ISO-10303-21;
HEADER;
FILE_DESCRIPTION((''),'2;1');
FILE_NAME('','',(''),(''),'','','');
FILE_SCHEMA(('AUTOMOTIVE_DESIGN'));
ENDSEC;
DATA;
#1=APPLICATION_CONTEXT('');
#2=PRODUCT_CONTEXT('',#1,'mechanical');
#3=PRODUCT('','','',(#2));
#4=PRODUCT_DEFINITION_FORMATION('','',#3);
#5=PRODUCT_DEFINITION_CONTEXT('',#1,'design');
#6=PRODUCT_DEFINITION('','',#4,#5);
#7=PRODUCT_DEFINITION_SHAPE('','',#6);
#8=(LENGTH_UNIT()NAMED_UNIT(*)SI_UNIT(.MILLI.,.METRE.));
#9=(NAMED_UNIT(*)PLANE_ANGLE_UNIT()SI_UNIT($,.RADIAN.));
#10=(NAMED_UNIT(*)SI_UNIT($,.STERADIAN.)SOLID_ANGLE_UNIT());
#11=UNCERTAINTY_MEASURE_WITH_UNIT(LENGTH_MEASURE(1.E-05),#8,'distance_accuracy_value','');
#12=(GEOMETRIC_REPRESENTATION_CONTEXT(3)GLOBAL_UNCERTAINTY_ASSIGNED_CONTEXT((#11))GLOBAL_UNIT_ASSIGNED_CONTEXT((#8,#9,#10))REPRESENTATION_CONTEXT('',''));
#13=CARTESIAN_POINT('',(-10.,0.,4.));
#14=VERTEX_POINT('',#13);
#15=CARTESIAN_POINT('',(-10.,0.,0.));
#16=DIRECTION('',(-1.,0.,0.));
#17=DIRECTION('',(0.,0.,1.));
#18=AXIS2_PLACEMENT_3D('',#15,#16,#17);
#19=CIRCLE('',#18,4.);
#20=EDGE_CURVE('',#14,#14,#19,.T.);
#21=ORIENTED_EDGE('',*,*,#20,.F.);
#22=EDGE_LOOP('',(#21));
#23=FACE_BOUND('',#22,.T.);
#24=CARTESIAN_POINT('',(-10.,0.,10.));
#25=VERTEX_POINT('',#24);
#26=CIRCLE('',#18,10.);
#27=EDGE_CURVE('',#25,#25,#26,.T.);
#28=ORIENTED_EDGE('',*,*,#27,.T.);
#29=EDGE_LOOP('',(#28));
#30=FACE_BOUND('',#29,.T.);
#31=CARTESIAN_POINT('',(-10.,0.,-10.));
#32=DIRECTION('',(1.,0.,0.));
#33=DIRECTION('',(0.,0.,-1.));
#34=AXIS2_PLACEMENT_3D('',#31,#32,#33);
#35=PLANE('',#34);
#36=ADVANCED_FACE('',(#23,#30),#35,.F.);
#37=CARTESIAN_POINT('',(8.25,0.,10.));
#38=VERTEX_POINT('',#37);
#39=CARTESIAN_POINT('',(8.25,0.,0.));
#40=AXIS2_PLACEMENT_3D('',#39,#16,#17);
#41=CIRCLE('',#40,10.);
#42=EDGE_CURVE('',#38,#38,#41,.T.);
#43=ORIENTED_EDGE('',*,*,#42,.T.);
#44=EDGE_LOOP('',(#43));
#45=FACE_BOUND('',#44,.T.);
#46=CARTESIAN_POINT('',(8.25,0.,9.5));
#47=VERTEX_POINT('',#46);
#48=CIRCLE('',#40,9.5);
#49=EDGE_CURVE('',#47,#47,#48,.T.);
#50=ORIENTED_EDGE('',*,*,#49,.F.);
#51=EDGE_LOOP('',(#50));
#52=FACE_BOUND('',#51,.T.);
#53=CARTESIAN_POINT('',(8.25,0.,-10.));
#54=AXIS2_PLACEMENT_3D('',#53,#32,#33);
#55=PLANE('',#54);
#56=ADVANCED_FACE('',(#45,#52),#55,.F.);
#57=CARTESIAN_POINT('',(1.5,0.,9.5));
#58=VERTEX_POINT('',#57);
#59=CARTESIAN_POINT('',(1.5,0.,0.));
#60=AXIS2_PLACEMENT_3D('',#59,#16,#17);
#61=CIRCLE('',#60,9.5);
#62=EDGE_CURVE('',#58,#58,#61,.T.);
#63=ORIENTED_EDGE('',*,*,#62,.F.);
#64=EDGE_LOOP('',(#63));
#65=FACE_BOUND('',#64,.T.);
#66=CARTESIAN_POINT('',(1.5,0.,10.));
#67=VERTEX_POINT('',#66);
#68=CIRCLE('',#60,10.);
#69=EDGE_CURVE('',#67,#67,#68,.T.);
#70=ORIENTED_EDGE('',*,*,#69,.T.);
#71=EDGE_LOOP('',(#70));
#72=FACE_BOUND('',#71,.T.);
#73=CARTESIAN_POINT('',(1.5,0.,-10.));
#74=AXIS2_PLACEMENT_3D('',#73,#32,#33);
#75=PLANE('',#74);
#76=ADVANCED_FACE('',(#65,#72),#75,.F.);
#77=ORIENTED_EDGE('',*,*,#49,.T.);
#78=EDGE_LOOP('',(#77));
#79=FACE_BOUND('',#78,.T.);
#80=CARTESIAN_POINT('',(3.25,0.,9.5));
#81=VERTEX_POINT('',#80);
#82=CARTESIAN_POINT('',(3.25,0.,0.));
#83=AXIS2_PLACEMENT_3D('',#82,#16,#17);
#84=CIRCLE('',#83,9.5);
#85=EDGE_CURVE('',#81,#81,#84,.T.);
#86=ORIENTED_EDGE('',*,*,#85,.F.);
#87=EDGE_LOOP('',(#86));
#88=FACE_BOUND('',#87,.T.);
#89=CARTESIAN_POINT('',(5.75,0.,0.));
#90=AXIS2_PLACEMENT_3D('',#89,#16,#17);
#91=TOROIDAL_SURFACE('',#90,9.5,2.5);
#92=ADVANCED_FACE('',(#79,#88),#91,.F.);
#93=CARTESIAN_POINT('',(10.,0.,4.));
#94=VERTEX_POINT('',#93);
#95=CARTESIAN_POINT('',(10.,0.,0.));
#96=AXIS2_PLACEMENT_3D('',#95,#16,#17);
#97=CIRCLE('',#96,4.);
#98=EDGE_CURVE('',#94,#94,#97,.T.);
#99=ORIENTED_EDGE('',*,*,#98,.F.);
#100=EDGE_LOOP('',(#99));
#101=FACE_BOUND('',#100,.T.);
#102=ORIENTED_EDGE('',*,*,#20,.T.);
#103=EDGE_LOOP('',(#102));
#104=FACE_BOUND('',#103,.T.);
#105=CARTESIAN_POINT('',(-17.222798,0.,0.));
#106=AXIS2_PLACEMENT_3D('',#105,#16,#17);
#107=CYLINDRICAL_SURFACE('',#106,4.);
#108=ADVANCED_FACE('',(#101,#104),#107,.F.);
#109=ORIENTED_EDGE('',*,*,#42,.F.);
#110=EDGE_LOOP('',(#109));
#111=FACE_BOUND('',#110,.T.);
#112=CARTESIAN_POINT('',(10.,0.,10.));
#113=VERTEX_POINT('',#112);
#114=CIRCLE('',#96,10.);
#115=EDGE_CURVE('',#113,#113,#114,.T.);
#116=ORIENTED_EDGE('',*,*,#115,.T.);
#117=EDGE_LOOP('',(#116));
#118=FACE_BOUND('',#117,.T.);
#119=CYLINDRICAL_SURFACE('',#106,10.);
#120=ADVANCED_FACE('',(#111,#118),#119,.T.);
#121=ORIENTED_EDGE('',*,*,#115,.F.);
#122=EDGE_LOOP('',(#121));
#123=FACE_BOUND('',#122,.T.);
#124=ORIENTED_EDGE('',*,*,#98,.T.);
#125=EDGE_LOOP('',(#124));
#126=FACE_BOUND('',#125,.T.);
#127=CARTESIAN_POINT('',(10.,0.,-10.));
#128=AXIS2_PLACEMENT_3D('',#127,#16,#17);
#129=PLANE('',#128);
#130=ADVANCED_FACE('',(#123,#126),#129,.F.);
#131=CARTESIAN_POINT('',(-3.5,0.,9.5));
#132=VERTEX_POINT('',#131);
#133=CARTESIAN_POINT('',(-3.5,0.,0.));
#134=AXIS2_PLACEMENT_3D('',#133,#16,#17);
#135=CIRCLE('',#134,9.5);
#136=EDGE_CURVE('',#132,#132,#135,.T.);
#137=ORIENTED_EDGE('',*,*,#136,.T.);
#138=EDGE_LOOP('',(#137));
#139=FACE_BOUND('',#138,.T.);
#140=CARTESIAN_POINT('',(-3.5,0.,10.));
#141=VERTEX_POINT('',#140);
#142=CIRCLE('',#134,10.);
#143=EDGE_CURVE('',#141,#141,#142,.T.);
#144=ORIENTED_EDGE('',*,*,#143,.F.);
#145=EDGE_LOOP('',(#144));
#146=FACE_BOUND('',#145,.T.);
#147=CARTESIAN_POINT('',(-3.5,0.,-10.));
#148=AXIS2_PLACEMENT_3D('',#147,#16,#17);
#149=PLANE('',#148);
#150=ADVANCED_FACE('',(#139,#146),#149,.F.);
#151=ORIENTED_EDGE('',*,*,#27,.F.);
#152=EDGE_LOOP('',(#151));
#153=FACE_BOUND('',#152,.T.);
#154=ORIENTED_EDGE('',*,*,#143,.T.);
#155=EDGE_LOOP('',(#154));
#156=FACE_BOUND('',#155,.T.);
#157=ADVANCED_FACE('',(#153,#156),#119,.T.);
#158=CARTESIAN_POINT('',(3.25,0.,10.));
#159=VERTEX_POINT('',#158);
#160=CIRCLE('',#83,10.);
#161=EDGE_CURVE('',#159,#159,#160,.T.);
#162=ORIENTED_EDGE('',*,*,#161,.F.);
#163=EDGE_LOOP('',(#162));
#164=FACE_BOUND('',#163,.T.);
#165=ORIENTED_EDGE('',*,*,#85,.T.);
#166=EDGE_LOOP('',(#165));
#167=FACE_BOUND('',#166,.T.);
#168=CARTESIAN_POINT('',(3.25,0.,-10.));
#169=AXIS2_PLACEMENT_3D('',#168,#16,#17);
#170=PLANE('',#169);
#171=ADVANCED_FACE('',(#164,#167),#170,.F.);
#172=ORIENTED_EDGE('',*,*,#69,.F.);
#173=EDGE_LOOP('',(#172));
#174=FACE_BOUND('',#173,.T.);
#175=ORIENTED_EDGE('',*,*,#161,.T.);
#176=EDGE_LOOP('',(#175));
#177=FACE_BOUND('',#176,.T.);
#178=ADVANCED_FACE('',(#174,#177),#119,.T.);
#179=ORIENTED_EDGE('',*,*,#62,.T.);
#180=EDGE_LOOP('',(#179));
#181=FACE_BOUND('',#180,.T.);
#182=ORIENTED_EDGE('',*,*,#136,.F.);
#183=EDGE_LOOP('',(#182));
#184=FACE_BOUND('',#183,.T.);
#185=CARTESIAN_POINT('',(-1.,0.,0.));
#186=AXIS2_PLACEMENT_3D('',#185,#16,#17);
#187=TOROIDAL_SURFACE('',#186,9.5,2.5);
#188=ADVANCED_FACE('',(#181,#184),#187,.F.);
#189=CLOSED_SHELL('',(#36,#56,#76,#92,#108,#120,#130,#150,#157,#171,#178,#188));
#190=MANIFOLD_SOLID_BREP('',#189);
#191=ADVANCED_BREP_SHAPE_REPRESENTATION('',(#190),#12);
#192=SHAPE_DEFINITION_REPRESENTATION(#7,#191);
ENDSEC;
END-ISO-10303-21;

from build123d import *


with BuildPart() as part:
    # Sketch1 → Revolve1 (revolve)
    with BuildSketch(Plane(origin=(0, 0, 0), x_dir=(1, 0, 0), z_dir=(0, 1, 0)), mode=Mode.PRIVATE) as revolve1_sk:
        with BuildLine():
            Line((-3.5, 10), (-3.5, 9.5))
            ThreePointArc((-3.5, 9.5), (-1, 7), (1.5, 9.5))
            Line((1.5, 9.5), (1.5, 10))
            Line((1.5, 10), (3.25, 10))
            Line((3.25, 10), (3.25, 9.5))
            ThreePointArc((3.25, 9.5), (5.75, 7), (8.25, 9.5))
            Line((8.25, 9.5), (8.25, 10))
            Line((8.25, 10), (10, 10))
            Line((10, 10), (10, 4))
            Line((10, 4), (-10, 4))
            Line((-10, 4), (-10, 10))
            Line((-10, 10), (-3.5, 10))
        make_face()
    revolve(revolve1_sk.sketch.rotate(Axis((-17.222797871, 0, 0), (1, 0, 0)), 180), axis=Axis((-17.222797871, 0, 0), (1, 0, 0)))


solid = part.part
